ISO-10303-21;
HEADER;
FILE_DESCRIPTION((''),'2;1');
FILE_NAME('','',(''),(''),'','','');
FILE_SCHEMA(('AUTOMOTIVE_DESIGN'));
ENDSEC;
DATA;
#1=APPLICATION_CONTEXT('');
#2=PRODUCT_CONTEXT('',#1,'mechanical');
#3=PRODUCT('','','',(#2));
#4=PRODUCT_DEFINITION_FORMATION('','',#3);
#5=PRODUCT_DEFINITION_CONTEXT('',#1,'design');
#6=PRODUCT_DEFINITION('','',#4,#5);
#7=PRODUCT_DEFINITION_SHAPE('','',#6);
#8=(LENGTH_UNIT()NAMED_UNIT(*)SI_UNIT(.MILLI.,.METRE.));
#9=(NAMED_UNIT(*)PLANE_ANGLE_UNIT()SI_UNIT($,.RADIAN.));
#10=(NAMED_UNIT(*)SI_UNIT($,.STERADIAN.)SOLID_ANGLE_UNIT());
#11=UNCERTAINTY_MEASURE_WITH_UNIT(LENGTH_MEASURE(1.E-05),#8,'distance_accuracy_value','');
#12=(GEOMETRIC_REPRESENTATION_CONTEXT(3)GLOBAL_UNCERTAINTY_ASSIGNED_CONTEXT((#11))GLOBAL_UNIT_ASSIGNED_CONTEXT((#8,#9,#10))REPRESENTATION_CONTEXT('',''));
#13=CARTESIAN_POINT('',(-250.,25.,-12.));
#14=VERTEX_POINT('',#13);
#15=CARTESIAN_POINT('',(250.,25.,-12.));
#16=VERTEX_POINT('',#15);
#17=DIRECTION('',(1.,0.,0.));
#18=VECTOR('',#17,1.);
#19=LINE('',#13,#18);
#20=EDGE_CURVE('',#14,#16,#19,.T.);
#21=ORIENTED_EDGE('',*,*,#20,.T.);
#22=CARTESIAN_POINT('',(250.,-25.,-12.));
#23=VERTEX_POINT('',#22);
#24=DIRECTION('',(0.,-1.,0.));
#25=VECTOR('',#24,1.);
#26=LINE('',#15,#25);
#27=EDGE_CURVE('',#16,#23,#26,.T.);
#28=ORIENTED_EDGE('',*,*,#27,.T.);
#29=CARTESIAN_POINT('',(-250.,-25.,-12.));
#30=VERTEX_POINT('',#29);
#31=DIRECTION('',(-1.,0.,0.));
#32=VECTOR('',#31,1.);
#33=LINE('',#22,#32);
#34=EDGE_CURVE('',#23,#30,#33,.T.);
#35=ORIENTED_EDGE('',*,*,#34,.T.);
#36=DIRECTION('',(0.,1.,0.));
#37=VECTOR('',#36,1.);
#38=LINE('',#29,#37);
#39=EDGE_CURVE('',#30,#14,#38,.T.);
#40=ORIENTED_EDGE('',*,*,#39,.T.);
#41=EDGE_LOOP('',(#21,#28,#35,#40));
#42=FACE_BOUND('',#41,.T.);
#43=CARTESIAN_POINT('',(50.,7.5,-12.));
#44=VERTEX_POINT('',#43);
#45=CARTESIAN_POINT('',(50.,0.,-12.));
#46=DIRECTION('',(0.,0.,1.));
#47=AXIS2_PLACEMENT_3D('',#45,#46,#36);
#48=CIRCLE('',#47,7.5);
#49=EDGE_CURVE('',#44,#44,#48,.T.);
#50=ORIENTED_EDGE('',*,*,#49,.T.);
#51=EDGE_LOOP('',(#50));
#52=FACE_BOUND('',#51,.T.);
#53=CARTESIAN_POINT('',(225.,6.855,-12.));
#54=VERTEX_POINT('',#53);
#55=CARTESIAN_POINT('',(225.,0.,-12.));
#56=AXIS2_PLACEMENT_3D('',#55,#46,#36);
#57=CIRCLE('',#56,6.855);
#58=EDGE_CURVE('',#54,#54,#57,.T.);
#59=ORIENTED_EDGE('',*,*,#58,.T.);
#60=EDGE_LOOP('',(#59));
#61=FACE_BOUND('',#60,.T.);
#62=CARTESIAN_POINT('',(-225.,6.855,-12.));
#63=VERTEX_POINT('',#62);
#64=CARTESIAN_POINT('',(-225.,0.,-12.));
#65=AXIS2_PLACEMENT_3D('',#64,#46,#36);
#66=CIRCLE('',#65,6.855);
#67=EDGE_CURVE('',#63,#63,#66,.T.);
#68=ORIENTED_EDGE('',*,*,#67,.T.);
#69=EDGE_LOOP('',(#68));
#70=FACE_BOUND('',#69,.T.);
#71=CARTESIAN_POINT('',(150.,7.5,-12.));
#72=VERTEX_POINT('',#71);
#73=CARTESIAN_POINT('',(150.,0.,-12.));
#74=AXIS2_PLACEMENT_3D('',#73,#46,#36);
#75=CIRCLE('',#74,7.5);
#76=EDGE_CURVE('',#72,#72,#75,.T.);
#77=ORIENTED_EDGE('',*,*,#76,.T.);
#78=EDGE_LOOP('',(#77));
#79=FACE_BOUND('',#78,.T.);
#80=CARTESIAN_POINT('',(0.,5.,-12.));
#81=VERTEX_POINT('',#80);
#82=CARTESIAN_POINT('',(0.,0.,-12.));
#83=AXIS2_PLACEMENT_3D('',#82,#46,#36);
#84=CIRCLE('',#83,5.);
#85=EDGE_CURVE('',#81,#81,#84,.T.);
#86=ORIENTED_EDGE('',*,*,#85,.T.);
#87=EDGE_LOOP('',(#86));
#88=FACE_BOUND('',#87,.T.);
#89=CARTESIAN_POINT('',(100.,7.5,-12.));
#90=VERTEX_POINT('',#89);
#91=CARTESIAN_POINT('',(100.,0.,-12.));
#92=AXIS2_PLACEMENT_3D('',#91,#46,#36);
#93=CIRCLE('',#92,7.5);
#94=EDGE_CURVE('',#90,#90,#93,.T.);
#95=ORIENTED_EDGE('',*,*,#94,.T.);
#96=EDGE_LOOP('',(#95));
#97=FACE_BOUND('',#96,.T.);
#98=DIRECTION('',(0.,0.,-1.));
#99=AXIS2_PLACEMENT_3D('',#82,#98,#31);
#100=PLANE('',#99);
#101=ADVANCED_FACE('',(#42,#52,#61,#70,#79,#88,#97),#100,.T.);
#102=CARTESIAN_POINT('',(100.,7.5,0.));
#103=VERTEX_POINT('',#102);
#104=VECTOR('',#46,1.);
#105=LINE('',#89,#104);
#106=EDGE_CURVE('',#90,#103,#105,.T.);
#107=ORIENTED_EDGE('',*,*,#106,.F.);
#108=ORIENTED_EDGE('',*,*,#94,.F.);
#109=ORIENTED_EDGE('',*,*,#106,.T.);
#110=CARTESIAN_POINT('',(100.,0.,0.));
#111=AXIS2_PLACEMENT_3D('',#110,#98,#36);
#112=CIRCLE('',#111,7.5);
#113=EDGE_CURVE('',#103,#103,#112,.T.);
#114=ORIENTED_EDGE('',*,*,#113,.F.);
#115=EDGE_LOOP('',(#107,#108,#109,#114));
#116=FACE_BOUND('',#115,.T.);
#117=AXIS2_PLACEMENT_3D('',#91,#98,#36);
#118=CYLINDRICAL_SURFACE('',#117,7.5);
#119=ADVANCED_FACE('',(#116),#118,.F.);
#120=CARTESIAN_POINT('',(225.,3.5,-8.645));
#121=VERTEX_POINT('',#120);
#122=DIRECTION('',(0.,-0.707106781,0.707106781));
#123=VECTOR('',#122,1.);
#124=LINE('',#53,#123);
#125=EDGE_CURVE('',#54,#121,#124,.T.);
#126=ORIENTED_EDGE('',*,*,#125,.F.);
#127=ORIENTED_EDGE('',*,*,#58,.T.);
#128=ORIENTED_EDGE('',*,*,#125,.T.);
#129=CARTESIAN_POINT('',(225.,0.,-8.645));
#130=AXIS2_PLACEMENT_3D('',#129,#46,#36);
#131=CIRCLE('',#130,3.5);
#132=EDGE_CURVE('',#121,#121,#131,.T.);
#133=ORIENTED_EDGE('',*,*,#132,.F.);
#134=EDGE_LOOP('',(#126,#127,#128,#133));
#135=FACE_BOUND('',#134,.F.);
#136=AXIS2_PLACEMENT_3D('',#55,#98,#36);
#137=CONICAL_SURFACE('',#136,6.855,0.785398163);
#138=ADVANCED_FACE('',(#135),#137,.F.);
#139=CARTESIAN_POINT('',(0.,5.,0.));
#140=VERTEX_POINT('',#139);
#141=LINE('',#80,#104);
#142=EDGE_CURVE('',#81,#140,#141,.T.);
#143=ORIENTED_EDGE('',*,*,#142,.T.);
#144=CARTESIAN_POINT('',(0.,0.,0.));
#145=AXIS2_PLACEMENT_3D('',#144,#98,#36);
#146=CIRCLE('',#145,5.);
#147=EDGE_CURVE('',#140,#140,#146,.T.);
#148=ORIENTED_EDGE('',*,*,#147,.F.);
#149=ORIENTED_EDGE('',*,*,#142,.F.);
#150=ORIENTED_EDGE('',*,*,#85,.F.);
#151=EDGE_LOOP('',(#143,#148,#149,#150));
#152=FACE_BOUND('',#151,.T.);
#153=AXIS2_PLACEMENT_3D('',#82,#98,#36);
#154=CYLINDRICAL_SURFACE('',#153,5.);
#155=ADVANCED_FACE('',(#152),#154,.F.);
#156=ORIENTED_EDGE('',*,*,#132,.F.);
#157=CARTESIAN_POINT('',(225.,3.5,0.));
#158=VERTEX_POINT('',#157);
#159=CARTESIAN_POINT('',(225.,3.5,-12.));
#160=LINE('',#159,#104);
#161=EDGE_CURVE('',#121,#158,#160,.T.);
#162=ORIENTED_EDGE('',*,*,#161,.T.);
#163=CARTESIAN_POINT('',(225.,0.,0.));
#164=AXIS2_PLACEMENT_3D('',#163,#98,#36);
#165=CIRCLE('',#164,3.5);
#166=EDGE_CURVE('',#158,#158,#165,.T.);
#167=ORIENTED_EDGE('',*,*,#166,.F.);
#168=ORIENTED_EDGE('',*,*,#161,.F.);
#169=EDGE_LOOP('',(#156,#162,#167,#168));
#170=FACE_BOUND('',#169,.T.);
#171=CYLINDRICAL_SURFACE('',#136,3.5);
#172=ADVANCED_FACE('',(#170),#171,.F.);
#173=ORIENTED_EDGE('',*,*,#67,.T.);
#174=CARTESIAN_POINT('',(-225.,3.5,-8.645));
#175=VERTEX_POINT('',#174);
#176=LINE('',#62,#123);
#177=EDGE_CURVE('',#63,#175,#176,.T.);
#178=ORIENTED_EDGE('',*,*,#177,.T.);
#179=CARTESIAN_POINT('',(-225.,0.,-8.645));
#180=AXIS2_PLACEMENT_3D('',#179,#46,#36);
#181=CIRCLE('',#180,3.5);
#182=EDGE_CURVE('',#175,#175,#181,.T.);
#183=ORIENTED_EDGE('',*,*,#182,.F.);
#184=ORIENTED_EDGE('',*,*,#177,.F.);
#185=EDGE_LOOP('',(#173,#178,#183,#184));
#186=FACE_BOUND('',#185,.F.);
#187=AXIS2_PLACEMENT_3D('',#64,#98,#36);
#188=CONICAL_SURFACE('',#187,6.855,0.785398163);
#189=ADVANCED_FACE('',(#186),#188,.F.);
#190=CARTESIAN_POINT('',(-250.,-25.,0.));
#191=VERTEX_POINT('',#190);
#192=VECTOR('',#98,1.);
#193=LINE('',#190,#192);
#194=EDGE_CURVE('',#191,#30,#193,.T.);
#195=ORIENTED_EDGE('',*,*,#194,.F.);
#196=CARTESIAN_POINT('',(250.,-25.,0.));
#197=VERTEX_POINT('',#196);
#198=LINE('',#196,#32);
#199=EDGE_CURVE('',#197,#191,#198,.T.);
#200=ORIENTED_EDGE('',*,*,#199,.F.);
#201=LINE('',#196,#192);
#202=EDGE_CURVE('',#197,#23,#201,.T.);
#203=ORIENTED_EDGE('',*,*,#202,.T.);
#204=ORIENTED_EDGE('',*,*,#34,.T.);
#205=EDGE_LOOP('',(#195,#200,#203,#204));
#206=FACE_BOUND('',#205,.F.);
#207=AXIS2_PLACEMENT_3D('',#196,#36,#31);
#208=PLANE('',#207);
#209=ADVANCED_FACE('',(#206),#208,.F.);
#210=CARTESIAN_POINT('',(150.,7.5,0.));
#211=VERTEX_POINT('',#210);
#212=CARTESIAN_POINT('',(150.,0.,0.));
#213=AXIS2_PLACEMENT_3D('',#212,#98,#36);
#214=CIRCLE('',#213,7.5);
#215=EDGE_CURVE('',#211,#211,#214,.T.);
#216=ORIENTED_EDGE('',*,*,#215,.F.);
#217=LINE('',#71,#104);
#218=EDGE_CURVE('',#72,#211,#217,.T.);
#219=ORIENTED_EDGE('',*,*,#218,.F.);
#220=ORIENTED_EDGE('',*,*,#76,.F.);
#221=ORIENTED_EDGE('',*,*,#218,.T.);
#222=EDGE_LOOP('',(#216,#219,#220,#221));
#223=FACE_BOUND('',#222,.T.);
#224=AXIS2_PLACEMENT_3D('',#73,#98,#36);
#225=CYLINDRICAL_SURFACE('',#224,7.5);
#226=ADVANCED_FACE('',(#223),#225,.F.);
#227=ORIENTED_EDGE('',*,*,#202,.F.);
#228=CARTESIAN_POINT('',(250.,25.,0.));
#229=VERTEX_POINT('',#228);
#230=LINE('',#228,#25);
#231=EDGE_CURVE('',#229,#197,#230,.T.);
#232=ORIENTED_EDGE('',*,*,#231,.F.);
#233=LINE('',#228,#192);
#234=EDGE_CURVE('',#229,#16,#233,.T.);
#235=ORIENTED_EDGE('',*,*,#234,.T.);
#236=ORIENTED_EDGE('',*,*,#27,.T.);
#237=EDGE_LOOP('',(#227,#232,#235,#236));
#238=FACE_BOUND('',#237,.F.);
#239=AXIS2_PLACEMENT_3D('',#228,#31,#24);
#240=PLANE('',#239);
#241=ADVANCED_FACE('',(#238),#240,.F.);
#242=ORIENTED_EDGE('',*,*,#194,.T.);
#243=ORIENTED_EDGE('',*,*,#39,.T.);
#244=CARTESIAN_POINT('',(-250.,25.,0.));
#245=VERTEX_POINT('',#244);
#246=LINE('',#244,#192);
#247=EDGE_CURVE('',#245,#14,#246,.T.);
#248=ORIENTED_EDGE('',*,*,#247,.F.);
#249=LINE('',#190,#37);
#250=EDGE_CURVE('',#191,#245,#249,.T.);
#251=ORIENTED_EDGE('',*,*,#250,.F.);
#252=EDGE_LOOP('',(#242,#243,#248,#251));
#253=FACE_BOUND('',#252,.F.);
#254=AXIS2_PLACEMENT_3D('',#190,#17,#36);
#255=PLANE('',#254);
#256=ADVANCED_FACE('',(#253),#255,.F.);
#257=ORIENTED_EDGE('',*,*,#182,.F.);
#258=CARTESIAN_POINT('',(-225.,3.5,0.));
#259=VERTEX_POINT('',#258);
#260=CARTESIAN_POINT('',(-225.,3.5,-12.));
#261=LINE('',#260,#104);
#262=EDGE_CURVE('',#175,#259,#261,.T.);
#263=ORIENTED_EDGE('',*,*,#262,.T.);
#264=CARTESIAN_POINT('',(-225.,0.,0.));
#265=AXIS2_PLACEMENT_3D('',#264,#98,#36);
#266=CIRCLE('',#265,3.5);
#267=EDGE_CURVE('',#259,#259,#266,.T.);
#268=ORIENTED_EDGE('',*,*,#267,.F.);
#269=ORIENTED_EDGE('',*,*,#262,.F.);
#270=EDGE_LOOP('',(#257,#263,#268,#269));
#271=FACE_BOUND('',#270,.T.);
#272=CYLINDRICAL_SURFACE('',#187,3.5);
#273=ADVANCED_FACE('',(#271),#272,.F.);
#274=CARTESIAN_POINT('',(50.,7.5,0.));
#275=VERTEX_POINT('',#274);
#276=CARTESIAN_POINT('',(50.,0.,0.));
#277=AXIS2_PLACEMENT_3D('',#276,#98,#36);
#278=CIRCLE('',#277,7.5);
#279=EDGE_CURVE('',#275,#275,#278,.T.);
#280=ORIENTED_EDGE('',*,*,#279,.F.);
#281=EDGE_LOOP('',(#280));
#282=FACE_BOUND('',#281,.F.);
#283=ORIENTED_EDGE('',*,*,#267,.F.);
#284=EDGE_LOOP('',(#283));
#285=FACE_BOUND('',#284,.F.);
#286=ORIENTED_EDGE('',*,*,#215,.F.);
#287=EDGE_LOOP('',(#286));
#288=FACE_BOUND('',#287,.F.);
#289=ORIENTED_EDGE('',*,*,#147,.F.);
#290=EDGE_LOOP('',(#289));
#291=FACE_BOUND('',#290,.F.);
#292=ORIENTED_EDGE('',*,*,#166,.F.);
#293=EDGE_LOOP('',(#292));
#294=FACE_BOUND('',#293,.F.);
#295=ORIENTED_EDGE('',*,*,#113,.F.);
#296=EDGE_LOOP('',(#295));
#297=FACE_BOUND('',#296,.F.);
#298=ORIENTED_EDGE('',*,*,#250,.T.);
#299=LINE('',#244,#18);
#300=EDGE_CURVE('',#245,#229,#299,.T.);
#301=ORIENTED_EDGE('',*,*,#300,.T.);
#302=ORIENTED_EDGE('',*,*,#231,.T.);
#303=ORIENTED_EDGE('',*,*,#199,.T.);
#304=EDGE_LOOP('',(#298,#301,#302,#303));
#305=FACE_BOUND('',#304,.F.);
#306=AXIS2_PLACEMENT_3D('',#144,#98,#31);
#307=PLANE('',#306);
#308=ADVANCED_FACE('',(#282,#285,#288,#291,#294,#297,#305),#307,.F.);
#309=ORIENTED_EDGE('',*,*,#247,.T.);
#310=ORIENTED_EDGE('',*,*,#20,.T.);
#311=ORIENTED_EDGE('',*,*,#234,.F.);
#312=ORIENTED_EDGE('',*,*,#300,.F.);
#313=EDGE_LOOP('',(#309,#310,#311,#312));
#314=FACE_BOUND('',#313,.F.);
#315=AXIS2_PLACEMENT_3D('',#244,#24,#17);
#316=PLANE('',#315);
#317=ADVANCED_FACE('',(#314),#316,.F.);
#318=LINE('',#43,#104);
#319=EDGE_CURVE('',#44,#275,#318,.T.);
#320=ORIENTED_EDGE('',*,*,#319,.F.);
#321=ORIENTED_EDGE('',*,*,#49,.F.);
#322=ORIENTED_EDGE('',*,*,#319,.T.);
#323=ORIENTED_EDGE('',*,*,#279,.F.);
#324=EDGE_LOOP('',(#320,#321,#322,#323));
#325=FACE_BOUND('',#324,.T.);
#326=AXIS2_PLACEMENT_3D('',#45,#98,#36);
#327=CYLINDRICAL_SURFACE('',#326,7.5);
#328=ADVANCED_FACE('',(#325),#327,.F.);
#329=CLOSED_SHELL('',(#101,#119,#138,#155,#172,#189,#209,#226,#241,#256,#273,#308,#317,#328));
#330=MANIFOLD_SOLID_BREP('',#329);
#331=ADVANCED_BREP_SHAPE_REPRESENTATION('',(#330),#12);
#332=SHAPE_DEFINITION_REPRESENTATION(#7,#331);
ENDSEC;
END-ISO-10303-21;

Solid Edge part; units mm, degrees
sketch "Sketch1" plane through (0, 0, 0) normal (0, 0, 1) x (1, 0, 0)
  line L0 (250, -25) -> (-250, -25)
  line L1 (-250, -25) -> (-250, 25)
  line L2 (-250, 25) -> (250, 25)
  line L3 (250, 25) -> (250, -25)
extrude "Protrusion1" add sketch "Sketch1" against normal blind 12
hole "Hole_2" at (-225, 0, -12) direction (0, 0, 1) diameter 7 end up to next countersink diameter 13.71 countersink angle 90
hole "Hole1" at (225, 0, -12) direction (0, 0, 1) diameter 7 end up to next countersink diameter 13.71 countersink angle 90
hole "Hole_3" at (0, 0, -12) direction (0, 0, 1) diameter 10 end up to next
hole "Hole_4" at (150, 0, -12) direction (0, 0, 1) diameter 15 end up to next
hole "Hole2" at (100, 0, -12) direction (0, 0, 1) diameter 15 end up to next
hole "Hole3" at (50, 0, -12) direction (0, 0, 1) diameter 15 end up to next
